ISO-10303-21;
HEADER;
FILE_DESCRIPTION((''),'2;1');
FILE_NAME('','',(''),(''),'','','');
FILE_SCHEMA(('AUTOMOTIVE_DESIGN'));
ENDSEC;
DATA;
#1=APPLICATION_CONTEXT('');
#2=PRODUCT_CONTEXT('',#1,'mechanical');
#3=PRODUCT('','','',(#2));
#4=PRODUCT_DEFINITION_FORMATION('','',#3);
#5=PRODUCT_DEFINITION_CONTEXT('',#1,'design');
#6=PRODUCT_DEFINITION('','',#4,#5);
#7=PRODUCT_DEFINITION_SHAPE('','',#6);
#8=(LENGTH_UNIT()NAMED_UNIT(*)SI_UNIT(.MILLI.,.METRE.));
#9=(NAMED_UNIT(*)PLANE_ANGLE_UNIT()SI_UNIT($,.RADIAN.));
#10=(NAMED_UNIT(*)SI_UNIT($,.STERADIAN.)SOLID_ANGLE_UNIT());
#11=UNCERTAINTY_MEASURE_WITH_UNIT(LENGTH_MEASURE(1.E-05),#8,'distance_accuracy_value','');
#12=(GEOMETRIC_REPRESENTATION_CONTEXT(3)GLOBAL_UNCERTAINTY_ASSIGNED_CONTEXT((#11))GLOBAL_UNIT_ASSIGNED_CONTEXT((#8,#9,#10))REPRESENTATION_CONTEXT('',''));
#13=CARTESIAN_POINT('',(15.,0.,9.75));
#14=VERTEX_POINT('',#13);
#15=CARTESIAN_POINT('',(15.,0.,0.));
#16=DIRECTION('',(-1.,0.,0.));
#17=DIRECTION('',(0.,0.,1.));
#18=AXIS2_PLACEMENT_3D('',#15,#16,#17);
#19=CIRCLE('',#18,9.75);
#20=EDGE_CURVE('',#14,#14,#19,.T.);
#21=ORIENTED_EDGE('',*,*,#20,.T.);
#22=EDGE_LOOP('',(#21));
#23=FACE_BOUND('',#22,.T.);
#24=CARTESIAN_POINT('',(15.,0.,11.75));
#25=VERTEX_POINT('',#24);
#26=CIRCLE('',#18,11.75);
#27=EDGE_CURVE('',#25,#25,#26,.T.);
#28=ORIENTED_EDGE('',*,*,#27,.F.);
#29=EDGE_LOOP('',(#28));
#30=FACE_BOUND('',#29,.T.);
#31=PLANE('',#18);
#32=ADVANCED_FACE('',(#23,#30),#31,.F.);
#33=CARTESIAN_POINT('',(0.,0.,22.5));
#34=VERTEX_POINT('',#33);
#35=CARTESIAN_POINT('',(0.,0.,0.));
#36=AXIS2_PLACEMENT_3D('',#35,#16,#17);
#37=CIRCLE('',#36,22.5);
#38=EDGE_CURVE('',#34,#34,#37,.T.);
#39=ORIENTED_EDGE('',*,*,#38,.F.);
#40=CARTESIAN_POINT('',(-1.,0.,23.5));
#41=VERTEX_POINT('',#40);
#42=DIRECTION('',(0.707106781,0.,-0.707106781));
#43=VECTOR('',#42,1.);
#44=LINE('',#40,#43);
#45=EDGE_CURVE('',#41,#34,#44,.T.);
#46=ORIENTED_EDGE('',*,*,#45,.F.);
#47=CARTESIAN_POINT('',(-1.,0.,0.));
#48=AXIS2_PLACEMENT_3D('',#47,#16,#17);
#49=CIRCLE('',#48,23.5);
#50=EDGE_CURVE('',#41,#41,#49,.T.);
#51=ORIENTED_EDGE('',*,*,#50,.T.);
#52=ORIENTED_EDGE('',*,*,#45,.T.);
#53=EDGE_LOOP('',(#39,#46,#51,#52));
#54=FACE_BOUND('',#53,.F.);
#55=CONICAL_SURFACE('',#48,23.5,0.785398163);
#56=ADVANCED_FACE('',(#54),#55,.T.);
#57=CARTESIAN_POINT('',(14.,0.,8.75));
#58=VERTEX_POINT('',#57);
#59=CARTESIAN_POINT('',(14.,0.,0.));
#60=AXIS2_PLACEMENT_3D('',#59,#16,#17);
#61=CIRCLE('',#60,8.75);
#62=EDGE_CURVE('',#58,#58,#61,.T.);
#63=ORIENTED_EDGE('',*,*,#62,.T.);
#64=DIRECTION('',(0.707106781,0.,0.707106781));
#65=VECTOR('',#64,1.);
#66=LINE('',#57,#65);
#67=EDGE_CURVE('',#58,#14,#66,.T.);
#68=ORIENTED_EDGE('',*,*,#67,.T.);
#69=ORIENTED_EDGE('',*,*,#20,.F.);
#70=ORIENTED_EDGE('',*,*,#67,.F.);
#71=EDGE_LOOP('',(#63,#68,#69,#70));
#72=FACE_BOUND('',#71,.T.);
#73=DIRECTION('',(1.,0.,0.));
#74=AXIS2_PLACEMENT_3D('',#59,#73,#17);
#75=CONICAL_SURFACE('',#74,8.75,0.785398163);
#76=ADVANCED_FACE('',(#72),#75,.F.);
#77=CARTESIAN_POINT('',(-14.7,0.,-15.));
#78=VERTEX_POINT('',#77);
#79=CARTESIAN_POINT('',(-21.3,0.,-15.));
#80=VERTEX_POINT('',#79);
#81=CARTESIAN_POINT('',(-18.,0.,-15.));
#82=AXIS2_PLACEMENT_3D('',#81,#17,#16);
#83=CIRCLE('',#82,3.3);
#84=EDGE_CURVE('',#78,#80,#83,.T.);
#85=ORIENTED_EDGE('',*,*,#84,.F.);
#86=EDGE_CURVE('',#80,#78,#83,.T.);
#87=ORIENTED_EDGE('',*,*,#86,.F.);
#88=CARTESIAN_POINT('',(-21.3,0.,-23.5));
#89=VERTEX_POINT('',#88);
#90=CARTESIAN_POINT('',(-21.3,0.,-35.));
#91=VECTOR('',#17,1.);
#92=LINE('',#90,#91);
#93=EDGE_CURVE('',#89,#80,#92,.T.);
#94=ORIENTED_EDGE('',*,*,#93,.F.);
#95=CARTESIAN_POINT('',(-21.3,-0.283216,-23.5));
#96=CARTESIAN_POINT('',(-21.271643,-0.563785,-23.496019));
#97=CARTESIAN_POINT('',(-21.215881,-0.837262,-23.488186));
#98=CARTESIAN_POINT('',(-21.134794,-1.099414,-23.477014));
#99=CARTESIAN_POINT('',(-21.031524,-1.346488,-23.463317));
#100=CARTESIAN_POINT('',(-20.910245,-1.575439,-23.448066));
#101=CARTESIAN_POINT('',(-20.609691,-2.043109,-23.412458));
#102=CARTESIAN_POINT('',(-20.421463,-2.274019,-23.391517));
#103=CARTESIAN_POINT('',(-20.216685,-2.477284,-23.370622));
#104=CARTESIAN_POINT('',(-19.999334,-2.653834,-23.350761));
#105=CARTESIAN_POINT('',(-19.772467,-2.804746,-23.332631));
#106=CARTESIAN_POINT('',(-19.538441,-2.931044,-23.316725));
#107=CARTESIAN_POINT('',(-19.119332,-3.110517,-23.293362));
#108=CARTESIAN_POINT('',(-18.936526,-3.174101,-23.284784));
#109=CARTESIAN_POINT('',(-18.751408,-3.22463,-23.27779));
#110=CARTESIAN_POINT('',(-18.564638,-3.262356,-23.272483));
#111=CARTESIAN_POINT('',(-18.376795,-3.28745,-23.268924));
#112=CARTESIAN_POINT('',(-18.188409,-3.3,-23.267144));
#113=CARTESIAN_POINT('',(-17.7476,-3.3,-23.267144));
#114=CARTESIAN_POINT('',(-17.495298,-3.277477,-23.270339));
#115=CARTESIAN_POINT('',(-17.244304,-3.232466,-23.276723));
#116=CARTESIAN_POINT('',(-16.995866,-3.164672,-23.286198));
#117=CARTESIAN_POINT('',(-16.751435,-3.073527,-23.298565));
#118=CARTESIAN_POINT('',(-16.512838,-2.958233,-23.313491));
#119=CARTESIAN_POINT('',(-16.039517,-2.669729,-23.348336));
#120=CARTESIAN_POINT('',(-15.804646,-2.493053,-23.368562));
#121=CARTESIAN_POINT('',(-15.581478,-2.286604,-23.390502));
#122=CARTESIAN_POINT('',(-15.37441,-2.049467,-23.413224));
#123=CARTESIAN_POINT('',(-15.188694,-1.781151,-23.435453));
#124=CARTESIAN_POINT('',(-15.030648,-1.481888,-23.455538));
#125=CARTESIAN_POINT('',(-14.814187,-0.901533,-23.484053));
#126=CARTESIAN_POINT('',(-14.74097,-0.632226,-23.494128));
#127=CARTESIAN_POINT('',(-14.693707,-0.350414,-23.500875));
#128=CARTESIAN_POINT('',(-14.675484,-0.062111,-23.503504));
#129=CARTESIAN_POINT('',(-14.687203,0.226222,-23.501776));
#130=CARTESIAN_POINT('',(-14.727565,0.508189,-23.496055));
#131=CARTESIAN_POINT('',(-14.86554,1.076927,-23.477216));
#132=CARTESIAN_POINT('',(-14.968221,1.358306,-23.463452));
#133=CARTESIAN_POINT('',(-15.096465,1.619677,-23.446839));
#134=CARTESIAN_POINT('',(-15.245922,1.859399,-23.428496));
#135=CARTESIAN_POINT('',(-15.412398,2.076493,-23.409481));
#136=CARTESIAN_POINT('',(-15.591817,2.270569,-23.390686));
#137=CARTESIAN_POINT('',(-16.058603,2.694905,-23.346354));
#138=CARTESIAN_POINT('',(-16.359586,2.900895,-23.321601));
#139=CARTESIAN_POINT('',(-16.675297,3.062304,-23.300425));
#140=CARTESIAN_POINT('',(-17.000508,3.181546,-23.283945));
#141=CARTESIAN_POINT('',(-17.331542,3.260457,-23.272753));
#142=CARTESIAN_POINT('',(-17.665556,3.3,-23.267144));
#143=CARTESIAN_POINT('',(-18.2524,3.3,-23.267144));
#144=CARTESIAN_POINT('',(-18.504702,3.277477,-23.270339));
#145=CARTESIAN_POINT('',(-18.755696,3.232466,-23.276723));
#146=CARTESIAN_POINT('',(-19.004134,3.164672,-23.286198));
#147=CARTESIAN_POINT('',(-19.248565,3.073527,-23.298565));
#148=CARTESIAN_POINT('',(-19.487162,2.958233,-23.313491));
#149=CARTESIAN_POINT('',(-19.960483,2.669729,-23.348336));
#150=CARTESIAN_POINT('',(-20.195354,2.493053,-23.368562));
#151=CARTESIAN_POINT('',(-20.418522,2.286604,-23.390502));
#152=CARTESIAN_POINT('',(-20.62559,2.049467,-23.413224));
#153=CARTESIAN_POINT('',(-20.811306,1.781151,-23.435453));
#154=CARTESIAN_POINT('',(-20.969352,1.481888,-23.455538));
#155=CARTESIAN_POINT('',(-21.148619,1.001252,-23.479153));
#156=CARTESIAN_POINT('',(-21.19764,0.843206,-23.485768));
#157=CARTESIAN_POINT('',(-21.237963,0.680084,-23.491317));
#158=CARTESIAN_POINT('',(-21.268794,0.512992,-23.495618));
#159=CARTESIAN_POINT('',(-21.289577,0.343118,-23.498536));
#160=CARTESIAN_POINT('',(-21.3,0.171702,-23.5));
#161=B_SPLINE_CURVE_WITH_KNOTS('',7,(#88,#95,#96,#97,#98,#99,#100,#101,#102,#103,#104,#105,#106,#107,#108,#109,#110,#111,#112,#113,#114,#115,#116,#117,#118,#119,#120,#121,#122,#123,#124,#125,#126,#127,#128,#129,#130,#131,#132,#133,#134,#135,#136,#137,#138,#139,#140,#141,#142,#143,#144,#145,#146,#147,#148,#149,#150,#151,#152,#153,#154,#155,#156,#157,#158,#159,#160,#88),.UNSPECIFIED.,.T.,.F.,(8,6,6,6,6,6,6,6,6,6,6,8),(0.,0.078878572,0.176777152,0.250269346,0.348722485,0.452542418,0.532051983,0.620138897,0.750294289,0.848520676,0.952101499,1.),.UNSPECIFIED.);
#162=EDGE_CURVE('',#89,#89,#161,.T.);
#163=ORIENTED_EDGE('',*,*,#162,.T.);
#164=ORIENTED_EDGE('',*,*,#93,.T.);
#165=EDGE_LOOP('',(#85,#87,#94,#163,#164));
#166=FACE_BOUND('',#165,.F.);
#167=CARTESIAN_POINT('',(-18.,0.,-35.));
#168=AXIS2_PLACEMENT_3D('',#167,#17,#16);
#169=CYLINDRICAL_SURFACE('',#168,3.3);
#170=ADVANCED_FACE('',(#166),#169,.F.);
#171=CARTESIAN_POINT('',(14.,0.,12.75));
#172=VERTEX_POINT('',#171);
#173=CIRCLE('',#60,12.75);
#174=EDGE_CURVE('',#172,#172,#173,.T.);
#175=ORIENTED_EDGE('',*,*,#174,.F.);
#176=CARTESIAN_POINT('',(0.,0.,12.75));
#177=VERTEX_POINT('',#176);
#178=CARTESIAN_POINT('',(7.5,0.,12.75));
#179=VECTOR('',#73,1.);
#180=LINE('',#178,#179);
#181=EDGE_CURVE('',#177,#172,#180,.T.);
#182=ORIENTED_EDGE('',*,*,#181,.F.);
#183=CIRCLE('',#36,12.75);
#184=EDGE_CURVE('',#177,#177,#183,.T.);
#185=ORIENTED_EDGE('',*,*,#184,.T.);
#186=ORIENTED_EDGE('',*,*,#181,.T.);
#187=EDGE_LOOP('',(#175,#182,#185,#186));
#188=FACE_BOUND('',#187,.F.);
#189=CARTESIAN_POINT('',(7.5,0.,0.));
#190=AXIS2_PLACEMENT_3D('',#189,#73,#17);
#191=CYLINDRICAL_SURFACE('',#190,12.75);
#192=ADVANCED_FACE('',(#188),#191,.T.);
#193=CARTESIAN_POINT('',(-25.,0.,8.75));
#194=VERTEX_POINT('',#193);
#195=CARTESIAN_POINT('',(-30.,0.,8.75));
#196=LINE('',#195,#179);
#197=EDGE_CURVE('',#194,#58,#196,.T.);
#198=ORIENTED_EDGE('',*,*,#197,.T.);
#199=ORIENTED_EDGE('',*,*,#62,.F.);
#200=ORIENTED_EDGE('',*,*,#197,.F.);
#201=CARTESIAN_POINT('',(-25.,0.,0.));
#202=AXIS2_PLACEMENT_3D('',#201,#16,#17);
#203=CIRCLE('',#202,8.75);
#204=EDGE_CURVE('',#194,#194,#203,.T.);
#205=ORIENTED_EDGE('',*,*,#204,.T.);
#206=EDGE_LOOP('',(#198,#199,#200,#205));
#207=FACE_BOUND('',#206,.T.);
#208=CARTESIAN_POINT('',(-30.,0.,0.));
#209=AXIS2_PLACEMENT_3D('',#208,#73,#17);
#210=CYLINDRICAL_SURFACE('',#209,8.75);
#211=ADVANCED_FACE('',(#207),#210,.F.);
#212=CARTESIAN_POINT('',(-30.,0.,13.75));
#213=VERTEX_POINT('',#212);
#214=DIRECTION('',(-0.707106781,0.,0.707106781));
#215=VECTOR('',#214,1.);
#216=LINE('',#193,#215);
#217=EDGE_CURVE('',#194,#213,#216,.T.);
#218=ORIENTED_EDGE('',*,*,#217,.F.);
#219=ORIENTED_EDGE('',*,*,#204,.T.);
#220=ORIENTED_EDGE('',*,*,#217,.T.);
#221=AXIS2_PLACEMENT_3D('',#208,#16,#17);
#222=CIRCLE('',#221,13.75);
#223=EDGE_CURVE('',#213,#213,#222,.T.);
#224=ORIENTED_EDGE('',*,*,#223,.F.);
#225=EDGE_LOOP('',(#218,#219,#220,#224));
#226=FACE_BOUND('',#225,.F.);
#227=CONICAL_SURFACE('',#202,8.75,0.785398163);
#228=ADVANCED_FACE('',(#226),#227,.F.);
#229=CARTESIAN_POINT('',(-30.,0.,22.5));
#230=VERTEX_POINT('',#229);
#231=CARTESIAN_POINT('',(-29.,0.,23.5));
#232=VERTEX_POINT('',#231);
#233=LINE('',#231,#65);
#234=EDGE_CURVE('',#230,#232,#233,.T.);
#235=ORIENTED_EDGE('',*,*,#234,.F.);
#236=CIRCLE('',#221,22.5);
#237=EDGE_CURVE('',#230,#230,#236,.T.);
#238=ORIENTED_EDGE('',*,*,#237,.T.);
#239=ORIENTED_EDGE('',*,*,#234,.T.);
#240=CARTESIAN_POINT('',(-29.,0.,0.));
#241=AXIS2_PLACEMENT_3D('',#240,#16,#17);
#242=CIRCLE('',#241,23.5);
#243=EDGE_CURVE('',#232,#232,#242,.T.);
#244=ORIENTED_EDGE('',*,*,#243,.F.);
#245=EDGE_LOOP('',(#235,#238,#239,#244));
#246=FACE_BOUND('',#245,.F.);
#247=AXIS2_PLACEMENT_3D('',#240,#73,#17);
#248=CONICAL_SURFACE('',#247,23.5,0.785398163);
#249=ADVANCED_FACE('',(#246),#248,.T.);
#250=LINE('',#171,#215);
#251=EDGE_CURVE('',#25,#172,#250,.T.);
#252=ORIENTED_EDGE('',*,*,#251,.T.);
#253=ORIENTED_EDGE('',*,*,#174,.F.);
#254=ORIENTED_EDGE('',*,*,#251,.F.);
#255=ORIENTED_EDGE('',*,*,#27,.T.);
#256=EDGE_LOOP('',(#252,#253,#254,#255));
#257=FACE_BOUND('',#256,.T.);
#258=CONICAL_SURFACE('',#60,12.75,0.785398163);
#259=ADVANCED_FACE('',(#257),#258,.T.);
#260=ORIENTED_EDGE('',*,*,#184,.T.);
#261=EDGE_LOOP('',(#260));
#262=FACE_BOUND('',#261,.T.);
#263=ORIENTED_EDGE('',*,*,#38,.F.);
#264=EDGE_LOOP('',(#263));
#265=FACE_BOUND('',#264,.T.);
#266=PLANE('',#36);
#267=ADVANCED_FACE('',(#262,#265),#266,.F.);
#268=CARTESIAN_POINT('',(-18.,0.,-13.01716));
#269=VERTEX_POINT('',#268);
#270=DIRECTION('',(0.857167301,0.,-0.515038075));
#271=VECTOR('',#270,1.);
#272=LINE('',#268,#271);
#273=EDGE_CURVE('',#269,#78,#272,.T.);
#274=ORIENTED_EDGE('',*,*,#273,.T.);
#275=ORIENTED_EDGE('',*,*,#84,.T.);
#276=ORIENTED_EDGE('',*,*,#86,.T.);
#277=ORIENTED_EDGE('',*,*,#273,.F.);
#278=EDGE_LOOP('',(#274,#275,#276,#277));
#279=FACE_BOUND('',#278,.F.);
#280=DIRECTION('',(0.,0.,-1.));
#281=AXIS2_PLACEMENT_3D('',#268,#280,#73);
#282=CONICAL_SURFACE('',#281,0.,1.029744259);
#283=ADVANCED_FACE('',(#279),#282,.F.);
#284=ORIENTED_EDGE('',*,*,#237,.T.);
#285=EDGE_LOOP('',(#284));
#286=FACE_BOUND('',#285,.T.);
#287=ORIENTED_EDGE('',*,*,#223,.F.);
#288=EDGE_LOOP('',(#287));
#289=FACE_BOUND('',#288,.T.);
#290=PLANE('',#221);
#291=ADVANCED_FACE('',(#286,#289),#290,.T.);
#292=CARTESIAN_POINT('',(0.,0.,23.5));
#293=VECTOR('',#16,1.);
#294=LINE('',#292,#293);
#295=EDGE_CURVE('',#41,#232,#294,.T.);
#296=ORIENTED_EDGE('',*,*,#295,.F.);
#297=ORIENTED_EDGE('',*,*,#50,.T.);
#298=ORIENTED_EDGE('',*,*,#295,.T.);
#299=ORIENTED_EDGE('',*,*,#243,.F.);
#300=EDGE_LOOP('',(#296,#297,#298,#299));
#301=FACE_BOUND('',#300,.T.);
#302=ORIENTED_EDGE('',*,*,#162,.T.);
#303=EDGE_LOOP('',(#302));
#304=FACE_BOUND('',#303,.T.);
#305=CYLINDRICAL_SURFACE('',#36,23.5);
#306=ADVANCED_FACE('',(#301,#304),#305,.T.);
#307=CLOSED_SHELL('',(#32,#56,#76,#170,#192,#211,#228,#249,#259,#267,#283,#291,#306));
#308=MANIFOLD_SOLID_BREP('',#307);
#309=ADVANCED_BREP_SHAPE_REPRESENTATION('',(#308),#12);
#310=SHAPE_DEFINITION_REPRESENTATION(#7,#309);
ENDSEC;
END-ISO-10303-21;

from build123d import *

# Parameters (mm, degrees)
F0_W     = 15
F0_H     = 4
F3_SIZE  = 5
F6_D     = 6.6
F6_DEPTH = 10
F6_TIP   = 1.9828400428
F7_SIZE  = 1


with BuildPart() as f1:
    # F0 (on Front) → F1 (revolve)
    with BuildSketch(Plane.XZ):
        Polygon((-30, 8.75), (0, 8.75), (0, 12.75), (0, 23.5), (-30, 23.5), align=None)
        with Locations((7.5, 10.75)):
            Rectangle(F0_W, F0_H)
    revolve(axis=Axis((-19.2540567368, 0, 0), (-1, 0, 0)))

    # F3
    f3_edges = [f1.edges().sort_by_distance(p)[0] for p in [
        (-30, 0, -8.75),
    ]]
    chamfer(f3_edges, length=F3_SIZE)

    # F6
    with Locations(Plane(origin=(0, 0, -25), x_dir=(1, 0, 0), z_dir=(0, 0, -1))):
        with Locations((-18, 0)):
            Hole(F6_D / 2, depth=F6_DEPTH)
            with Locations((0, 0, -(F6_DEPTH + F6_TIP / 2))):  # 118° drill point
                Cone(0, F6_D / 2, F6_TIP, mode=Mode.SUBTRACT)

    # F7
    f7_edges = [f1.edges().sort_by_distance(p)[0] for p in [
        (-30, 0, -23.5),
        (0, 0, -23.5),
        (15, 0, -12.75),
        (15, 0, -8.75),
    ]]
    chamfer(f7_edges, length=F7_SIZE)


solid = f1.part
